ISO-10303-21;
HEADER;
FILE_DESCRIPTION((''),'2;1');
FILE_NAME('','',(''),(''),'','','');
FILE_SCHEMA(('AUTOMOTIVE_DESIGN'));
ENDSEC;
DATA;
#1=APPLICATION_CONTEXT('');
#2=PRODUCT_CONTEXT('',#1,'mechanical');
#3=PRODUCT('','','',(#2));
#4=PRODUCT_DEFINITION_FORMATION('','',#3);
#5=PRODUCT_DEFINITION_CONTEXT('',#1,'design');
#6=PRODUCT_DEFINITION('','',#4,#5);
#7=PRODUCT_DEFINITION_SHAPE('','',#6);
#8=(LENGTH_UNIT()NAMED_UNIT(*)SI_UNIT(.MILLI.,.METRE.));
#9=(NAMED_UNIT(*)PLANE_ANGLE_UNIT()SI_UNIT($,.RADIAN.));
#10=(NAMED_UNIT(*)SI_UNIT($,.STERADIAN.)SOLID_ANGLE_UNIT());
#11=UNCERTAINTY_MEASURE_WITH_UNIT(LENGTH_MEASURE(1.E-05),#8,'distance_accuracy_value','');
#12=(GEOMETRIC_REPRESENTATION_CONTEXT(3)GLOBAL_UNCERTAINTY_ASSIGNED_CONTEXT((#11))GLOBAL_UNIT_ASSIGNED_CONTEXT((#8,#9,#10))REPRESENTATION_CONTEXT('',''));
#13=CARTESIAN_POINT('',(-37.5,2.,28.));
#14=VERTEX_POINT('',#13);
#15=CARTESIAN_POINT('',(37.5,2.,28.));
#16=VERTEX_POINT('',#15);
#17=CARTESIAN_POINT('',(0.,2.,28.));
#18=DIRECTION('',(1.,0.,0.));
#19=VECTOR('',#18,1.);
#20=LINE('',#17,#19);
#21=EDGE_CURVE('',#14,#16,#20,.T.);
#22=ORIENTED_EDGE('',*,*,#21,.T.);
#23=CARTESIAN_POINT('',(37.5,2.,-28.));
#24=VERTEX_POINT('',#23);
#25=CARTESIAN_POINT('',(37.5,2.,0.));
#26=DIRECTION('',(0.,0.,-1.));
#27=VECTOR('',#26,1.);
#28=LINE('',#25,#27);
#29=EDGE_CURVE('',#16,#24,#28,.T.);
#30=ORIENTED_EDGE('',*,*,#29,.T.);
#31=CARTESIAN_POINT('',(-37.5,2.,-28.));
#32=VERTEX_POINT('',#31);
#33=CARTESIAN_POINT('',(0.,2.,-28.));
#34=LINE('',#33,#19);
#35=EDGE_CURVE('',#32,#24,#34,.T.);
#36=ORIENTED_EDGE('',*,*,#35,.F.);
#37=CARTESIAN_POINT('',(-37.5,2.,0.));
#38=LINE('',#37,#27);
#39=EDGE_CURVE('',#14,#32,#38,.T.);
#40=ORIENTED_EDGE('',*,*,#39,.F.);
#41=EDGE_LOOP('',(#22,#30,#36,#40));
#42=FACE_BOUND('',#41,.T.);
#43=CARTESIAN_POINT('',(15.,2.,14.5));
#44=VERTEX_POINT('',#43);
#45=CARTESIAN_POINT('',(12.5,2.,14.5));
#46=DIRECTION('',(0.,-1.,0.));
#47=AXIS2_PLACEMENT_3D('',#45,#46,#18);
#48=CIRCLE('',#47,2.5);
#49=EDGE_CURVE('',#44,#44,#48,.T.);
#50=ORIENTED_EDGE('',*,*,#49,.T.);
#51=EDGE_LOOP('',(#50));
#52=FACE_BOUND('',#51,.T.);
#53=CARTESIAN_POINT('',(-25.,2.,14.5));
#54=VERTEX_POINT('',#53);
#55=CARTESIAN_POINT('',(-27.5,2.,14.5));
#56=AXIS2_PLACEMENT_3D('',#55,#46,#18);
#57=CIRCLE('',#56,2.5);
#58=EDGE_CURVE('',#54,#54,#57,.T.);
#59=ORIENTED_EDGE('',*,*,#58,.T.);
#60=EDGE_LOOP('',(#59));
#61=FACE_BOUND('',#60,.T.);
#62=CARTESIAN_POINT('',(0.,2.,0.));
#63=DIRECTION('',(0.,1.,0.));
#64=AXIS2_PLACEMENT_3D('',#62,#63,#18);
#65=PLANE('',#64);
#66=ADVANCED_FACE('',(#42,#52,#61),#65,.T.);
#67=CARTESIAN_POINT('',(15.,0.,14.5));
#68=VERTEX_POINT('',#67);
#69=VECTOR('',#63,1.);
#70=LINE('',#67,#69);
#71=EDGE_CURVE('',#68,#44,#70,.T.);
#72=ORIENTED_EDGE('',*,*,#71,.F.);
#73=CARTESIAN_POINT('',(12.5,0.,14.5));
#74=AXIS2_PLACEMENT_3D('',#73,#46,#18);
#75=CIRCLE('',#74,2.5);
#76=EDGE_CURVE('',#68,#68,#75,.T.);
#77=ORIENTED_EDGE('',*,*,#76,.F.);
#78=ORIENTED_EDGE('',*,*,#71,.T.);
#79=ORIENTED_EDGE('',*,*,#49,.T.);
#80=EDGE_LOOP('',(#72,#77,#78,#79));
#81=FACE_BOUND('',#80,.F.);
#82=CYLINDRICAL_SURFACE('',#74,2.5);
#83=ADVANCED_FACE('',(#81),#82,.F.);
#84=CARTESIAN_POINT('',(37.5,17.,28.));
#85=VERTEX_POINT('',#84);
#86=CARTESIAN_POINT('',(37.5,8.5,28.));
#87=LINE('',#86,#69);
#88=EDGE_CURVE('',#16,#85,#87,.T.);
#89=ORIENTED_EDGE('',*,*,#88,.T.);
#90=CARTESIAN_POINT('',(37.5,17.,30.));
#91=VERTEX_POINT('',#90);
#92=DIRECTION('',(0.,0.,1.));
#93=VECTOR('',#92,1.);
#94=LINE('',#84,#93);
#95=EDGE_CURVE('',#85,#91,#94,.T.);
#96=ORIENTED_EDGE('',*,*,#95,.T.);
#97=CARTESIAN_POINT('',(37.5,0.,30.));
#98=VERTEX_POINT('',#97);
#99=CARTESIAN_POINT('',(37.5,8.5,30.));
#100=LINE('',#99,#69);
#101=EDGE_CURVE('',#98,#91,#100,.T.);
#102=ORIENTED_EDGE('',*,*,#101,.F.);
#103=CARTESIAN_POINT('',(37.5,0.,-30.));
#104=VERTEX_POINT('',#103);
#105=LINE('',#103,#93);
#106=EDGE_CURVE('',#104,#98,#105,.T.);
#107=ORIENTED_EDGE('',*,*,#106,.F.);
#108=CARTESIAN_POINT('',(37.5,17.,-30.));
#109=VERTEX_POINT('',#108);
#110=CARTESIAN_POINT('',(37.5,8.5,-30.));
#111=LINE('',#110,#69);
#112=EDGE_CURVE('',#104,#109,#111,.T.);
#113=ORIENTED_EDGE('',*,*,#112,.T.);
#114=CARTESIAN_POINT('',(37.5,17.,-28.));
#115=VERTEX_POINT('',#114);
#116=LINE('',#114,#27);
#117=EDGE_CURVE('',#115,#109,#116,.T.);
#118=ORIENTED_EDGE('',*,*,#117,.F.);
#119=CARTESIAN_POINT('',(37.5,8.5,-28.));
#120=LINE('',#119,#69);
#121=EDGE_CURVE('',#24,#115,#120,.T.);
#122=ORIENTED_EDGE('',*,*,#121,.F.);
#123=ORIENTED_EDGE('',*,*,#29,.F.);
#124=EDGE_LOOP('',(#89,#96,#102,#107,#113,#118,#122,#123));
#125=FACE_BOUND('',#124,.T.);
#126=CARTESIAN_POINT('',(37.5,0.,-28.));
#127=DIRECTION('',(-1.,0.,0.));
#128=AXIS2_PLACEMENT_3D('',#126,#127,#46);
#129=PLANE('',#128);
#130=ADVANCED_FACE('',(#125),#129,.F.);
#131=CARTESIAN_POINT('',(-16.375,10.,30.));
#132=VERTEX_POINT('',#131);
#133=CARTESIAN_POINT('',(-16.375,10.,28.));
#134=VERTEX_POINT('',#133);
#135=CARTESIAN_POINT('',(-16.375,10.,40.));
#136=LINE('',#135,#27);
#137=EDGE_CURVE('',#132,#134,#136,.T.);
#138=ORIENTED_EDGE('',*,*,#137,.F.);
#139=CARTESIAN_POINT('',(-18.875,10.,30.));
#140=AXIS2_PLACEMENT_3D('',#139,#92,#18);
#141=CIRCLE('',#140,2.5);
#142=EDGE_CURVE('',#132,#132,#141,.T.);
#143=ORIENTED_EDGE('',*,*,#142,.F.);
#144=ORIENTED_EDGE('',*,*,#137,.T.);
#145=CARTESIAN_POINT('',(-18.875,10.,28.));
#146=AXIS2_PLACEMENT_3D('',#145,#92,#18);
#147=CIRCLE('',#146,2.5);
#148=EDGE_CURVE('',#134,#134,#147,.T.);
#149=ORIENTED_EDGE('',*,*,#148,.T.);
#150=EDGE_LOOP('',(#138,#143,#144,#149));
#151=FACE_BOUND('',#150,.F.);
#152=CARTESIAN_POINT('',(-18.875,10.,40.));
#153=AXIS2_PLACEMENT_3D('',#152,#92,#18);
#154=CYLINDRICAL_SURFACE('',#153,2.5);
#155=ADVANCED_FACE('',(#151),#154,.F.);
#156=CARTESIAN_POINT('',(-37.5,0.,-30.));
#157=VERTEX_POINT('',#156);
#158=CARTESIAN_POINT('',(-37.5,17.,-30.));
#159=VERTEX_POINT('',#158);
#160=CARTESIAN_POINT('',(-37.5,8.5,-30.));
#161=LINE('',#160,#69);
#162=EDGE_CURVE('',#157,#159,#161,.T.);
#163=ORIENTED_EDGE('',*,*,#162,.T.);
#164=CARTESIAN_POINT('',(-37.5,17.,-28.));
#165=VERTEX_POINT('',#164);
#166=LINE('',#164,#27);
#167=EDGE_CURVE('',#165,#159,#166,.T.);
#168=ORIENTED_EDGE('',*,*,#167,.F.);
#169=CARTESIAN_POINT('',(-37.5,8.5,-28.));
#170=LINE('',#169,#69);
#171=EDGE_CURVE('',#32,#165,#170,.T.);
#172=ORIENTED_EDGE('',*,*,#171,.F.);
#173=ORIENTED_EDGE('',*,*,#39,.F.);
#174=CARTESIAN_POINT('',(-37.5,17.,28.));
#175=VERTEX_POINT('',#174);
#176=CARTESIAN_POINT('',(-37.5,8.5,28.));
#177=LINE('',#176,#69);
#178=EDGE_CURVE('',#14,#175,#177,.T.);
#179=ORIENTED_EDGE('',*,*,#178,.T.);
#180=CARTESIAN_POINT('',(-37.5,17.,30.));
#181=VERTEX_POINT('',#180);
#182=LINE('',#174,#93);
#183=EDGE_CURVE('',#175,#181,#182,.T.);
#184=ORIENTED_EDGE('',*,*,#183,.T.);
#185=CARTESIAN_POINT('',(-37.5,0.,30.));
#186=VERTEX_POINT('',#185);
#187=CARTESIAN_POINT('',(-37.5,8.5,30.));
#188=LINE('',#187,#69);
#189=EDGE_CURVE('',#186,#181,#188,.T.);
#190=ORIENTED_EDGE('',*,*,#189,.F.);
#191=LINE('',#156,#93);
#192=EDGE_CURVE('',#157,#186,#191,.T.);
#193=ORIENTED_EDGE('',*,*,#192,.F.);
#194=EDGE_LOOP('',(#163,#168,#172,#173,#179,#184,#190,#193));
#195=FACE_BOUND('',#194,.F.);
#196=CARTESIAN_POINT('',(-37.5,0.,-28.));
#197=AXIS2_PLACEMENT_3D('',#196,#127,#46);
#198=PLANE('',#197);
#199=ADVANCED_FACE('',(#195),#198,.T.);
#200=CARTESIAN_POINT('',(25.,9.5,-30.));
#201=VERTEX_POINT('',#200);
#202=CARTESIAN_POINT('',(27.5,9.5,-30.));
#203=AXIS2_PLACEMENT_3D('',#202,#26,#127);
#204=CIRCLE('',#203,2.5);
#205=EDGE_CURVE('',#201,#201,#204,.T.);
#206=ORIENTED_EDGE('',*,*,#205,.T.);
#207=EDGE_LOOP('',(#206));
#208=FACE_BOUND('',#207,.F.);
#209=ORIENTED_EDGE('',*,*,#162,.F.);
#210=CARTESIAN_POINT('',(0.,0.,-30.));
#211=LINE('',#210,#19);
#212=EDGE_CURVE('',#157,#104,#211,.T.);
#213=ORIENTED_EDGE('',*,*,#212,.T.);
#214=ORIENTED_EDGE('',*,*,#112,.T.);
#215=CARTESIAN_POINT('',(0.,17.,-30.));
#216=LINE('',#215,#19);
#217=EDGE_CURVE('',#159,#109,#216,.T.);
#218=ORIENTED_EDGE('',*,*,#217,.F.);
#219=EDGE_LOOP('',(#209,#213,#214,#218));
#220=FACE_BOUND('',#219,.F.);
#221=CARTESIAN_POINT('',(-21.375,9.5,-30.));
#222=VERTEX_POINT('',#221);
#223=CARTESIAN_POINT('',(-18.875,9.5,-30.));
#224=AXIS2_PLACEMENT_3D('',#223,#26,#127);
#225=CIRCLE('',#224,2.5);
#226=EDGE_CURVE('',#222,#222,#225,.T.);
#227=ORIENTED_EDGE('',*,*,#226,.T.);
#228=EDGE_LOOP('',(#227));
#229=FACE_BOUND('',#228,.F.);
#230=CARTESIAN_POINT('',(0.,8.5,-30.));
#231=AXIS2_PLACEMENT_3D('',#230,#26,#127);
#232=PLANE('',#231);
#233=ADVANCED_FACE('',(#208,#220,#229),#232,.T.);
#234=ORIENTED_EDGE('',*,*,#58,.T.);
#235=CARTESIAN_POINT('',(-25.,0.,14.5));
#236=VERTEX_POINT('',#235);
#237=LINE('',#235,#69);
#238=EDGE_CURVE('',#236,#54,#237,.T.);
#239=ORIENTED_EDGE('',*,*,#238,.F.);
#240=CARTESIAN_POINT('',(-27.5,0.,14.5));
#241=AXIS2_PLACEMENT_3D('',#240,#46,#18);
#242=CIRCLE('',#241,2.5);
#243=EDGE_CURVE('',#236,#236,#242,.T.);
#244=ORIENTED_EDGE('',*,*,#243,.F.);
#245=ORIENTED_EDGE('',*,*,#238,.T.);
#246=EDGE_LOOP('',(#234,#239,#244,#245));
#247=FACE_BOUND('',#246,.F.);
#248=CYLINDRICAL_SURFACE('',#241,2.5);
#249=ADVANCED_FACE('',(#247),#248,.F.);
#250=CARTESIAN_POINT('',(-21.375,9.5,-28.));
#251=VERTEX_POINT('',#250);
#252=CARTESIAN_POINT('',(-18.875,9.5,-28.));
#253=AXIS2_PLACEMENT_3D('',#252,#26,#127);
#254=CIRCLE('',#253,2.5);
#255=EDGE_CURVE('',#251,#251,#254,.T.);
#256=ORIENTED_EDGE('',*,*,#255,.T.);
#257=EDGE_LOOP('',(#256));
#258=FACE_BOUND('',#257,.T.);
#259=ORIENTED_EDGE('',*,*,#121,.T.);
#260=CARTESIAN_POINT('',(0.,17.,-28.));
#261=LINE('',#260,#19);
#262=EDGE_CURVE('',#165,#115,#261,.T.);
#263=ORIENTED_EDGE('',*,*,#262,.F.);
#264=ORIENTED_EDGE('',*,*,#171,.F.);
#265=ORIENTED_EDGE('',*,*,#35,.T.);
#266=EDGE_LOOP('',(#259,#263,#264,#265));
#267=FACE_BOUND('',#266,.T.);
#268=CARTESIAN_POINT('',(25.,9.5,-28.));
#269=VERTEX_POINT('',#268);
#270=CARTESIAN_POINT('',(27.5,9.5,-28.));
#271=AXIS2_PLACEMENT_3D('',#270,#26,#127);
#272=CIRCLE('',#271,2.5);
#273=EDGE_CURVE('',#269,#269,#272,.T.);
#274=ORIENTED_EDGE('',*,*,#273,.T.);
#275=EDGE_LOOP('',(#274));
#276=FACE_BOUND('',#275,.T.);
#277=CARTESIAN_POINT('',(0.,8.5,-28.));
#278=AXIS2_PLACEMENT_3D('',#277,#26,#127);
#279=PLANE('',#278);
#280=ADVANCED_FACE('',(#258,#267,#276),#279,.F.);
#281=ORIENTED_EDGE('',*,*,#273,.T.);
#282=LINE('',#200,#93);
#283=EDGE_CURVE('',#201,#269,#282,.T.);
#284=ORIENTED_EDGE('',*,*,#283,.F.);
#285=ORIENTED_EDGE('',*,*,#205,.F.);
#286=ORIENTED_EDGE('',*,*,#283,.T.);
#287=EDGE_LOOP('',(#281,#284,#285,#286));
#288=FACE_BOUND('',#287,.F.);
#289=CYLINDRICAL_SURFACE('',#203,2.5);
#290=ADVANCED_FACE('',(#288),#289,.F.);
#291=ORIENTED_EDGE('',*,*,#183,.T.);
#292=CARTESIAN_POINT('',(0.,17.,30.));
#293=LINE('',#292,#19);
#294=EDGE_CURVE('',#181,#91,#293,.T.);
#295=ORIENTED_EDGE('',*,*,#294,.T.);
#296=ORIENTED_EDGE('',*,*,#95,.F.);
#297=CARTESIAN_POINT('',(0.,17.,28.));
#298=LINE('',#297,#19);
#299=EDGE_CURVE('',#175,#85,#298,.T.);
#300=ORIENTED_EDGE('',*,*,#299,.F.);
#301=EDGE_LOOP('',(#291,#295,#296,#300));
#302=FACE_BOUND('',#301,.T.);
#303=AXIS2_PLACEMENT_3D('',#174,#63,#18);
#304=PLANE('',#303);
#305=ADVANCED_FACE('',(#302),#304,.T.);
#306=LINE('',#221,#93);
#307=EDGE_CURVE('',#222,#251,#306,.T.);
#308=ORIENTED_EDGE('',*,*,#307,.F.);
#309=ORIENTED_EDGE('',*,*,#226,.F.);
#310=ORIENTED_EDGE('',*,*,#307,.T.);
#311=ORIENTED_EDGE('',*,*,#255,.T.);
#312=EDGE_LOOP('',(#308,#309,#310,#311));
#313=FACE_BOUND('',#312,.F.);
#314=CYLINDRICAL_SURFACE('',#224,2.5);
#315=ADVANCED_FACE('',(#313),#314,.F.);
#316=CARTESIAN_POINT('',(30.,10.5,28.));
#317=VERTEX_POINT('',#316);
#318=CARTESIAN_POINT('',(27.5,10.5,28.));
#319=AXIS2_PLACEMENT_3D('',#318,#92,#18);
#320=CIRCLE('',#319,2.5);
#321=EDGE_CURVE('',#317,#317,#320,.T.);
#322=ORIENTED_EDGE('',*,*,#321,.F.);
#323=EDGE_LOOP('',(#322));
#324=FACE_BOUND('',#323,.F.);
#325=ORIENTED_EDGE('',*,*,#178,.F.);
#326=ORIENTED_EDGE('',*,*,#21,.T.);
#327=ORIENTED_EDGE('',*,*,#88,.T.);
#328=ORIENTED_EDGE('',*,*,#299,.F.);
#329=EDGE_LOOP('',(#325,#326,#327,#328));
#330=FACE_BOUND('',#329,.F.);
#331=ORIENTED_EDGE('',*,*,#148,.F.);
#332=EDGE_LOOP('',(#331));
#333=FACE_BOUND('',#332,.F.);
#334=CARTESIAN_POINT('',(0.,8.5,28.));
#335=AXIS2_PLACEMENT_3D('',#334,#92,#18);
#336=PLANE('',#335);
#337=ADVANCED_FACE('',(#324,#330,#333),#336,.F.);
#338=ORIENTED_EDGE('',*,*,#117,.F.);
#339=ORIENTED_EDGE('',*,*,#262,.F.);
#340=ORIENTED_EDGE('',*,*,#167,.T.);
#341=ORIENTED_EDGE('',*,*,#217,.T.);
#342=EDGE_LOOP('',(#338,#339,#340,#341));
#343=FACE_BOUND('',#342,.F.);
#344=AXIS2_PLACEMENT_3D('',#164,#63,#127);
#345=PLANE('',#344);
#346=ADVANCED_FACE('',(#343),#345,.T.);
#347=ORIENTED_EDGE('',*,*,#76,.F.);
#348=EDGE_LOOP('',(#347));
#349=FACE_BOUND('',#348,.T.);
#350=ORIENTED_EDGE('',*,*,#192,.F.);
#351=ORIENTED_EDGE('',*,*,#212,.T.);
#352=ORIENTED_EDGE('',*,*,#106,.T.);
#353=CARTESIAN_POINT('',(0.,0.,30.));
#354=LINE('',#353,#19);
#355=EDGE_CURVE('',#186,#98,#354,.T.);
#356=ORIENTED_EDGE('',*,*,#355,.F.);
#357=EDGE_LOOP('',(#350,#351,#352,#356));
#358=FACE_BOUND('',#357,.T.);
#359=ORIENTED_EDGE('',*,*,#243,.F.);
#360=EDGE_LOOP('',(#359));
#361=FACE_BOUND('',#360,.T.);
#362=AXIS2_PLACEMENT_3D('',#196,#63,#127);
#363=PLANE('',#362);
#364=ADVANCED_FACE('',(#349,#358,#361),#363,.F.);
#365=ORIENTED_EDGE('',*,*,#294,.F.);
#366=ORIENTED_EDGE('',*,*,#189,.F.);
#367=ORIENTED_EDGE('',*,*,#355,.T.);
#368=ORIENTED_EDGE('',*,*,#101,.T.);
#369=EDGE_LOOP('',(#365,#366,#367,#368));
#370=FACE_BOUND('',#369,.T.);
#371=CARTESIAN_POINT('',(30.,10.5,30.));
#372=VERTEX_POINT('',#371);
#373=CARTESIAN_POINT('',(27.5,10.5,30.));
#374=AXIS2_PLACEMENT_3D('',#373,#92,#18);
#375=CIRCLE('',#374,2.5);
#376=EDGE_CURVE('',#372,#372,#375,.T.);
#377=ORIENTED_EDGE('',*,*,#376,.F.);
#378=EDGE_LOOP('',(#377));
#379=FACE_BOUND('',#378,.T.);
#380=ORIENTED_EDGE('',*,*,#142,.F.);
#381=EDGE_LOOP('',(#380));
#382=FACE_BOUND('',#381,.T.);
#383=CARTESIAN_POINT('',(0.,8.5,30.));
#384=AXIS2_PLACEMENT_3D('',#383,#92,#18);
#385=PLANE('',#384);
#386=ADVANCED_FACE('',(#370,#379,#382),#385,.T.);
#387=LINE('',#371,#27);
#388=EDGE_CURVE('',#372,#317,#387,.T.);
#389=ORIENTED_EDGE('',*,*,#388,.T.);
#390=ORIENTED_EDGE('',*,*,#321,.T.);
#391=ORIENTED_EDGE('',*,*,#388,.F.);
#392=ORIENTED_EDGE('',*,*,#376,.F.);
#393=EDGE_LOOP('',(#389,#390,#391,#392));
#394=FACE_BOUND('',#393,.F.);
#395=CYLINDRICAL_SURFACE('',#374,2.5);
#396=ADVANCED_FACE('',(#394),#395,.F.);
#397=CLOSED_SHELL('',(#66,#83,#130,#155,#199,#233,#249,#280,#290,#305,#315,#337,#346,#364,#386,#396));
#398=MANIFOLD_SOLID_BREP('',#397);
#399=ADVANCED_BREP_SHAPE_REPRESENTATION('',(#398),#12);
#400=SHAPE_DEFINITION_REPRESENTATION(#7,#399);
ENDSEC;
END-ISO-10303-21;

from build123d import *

# Parameters (mm, degrees)
ESBO_O1_W                = 75
ESBO_O1_H                = 56
RESSALTO_EXTRUS_O1_DEPTH = 2
ESBO_O3_W                = 75
ESBO_O3_H                = 17
RESSALTO_EXTRUS_O3_DEPTH = 2
CORTE_EXTRUS_O1_REACH    = 72
ESBO_O4_R                = 2.5
CORTE_EXTRUS_O2_REACH    = 62
ESBO_O5_R                = 2.5
ESBO_O6_R                = 2.5
CORTE_EXTRUS_O3_DEPTH    = 2
CUT_EXTRUDE1_REACH       = 62
SKETCH1_R                = 2.5
CUT_EXTRUDE2_REACH       = 62
SKETCH2_R                = 2.5


with BuildPart() as part:
    # Esboço1 → Ressalto-extrusão1 (new body)
    with BuildSketch(Plane(origin=(0, 0, 0), x_dir=(1, 0, 0), z_dir=(0, 1, 0))):
        Rectangle(ESBO_O1_W, ESBO_O1_H)
    extrude(amount=RESSALTO_EXTRUS_O1_DEPTH)

    # Esboço3 → Ressalto-extrusão3 (add)
    with BuildSketch(Plane.XY.offset(28)):
        with Locations((0, 8.5)):
            Rectangle(ESBO_O3_W, ESBO_O3_H)
    ressalto_extrus_o3 = extrude(amount=RESSALTO_EXTRUS_O3_DEPTH)

    # Espelhar2: Ressalto-extrusão3 across plane
    add(ressalto_extrus_o3.mirror(Plane.XY))

    # Esboço4 → Corte-extrusão1 (cut, up to next)
    with BuildSketch(Plane.XY.offset(40), mode=Mode.PRIVATE) as corte_extrus_o1_sk1:
        with Locations((-18.875, 10)):
            Circle(ESBO_O4_R)
    corte_extrus_o1_tool1 = extrude(corte_extrus_o1_sk1.sketch, amount=-CORTE_EXTRUS_O1_REACH, mode=Mode.PRIVATE) & part.part
    add(corte_extrus_o1_tool1.solids().sort_by_distance((-18.875, 10, 40))[0], mode=Mode.SUBTRACT)

    # Esboço5 → Corte-extrusão2 (cut, up to next)
    with BuildSketch(Plane.XY.offset(30), mode=Mode.PRIVATE) as corte_extrus_o2_sk1:
        with Locations((27.5, 10.5)):
            Circle(ESBO_O5_R)
    corte_extrus_o2_tool1 = extrude(corte_extrus_o2_sk1.sketch, amount=-CORTE_EXTRUS_O2_REACH, mode=Mode.PRIVATE) & part.part
    add(corte_extrus_o2_tool1.solids().sort_by_distance((27.5, 10.5, 30))[0], mode=Mode.SUBTRACT)

    # Esboço6 → Corte-extrusão3 (cut)
    with BuildSketch(Plane.XZ):
        with Locations((12.5, 14.5)):
            Circle(ESBO_O6_R)
        with Locations((-27.5, 14.5)):
            Circle(ESBO_O6_R)
    extrude(amount=-CORTE_EXTRUS_O3_DEPTH, mode=Mode.SUBTRACT)

    # Sketch1 → Cut-Extrude1 (cut, up to next)
    with BuildSketch(Plane(origin=(0, 0, -30), x_dir=(-1, 0, 0), z_dir=(0, 0, -1)), mode=Mode.PRIVATE) as cut_extrude1_sk1:
        with Locations((-27.5, 9.5)):
            Circle(SKETCH1_R)
    cut_extrude1_tool1 = extrude(cut_extrude1_sk1.sketch, amount=-CUT_EXTRUDE1_REACH, mode=Mode.PRIVATE) & part.part
    add(cut_extrude1_tool1.solids().sort_by_distance((27.5, 9.5, -30))[0], mode=Mode.SUBTRACT)

    # Sketch2 → Cut-Extrude2 (cut, up to next)
    with BuildSketch(Plane(origin=(0, 0, -30), x_dir=(-1, 0, 0), z_dir=(0, 0, -1)), mode=Mode.PRIVATE) as cut_extrude2_sk1:
        with Locations((18.875, 9.5)):
            Circle(SKETCH2_R)
    cut_extrude2_tool1 = extrude(cut_extrude2_sk1.sketch, amount=-CUT_EXTRUDE2_REACH, mode=Mode.PRIVATE) & part.part
    add(cut_extrude2_tool1.solids().sort_by_distance((-18.875, 9.5, -30))[0], mode=Mode.SUBTRACT)


solid = part.part
